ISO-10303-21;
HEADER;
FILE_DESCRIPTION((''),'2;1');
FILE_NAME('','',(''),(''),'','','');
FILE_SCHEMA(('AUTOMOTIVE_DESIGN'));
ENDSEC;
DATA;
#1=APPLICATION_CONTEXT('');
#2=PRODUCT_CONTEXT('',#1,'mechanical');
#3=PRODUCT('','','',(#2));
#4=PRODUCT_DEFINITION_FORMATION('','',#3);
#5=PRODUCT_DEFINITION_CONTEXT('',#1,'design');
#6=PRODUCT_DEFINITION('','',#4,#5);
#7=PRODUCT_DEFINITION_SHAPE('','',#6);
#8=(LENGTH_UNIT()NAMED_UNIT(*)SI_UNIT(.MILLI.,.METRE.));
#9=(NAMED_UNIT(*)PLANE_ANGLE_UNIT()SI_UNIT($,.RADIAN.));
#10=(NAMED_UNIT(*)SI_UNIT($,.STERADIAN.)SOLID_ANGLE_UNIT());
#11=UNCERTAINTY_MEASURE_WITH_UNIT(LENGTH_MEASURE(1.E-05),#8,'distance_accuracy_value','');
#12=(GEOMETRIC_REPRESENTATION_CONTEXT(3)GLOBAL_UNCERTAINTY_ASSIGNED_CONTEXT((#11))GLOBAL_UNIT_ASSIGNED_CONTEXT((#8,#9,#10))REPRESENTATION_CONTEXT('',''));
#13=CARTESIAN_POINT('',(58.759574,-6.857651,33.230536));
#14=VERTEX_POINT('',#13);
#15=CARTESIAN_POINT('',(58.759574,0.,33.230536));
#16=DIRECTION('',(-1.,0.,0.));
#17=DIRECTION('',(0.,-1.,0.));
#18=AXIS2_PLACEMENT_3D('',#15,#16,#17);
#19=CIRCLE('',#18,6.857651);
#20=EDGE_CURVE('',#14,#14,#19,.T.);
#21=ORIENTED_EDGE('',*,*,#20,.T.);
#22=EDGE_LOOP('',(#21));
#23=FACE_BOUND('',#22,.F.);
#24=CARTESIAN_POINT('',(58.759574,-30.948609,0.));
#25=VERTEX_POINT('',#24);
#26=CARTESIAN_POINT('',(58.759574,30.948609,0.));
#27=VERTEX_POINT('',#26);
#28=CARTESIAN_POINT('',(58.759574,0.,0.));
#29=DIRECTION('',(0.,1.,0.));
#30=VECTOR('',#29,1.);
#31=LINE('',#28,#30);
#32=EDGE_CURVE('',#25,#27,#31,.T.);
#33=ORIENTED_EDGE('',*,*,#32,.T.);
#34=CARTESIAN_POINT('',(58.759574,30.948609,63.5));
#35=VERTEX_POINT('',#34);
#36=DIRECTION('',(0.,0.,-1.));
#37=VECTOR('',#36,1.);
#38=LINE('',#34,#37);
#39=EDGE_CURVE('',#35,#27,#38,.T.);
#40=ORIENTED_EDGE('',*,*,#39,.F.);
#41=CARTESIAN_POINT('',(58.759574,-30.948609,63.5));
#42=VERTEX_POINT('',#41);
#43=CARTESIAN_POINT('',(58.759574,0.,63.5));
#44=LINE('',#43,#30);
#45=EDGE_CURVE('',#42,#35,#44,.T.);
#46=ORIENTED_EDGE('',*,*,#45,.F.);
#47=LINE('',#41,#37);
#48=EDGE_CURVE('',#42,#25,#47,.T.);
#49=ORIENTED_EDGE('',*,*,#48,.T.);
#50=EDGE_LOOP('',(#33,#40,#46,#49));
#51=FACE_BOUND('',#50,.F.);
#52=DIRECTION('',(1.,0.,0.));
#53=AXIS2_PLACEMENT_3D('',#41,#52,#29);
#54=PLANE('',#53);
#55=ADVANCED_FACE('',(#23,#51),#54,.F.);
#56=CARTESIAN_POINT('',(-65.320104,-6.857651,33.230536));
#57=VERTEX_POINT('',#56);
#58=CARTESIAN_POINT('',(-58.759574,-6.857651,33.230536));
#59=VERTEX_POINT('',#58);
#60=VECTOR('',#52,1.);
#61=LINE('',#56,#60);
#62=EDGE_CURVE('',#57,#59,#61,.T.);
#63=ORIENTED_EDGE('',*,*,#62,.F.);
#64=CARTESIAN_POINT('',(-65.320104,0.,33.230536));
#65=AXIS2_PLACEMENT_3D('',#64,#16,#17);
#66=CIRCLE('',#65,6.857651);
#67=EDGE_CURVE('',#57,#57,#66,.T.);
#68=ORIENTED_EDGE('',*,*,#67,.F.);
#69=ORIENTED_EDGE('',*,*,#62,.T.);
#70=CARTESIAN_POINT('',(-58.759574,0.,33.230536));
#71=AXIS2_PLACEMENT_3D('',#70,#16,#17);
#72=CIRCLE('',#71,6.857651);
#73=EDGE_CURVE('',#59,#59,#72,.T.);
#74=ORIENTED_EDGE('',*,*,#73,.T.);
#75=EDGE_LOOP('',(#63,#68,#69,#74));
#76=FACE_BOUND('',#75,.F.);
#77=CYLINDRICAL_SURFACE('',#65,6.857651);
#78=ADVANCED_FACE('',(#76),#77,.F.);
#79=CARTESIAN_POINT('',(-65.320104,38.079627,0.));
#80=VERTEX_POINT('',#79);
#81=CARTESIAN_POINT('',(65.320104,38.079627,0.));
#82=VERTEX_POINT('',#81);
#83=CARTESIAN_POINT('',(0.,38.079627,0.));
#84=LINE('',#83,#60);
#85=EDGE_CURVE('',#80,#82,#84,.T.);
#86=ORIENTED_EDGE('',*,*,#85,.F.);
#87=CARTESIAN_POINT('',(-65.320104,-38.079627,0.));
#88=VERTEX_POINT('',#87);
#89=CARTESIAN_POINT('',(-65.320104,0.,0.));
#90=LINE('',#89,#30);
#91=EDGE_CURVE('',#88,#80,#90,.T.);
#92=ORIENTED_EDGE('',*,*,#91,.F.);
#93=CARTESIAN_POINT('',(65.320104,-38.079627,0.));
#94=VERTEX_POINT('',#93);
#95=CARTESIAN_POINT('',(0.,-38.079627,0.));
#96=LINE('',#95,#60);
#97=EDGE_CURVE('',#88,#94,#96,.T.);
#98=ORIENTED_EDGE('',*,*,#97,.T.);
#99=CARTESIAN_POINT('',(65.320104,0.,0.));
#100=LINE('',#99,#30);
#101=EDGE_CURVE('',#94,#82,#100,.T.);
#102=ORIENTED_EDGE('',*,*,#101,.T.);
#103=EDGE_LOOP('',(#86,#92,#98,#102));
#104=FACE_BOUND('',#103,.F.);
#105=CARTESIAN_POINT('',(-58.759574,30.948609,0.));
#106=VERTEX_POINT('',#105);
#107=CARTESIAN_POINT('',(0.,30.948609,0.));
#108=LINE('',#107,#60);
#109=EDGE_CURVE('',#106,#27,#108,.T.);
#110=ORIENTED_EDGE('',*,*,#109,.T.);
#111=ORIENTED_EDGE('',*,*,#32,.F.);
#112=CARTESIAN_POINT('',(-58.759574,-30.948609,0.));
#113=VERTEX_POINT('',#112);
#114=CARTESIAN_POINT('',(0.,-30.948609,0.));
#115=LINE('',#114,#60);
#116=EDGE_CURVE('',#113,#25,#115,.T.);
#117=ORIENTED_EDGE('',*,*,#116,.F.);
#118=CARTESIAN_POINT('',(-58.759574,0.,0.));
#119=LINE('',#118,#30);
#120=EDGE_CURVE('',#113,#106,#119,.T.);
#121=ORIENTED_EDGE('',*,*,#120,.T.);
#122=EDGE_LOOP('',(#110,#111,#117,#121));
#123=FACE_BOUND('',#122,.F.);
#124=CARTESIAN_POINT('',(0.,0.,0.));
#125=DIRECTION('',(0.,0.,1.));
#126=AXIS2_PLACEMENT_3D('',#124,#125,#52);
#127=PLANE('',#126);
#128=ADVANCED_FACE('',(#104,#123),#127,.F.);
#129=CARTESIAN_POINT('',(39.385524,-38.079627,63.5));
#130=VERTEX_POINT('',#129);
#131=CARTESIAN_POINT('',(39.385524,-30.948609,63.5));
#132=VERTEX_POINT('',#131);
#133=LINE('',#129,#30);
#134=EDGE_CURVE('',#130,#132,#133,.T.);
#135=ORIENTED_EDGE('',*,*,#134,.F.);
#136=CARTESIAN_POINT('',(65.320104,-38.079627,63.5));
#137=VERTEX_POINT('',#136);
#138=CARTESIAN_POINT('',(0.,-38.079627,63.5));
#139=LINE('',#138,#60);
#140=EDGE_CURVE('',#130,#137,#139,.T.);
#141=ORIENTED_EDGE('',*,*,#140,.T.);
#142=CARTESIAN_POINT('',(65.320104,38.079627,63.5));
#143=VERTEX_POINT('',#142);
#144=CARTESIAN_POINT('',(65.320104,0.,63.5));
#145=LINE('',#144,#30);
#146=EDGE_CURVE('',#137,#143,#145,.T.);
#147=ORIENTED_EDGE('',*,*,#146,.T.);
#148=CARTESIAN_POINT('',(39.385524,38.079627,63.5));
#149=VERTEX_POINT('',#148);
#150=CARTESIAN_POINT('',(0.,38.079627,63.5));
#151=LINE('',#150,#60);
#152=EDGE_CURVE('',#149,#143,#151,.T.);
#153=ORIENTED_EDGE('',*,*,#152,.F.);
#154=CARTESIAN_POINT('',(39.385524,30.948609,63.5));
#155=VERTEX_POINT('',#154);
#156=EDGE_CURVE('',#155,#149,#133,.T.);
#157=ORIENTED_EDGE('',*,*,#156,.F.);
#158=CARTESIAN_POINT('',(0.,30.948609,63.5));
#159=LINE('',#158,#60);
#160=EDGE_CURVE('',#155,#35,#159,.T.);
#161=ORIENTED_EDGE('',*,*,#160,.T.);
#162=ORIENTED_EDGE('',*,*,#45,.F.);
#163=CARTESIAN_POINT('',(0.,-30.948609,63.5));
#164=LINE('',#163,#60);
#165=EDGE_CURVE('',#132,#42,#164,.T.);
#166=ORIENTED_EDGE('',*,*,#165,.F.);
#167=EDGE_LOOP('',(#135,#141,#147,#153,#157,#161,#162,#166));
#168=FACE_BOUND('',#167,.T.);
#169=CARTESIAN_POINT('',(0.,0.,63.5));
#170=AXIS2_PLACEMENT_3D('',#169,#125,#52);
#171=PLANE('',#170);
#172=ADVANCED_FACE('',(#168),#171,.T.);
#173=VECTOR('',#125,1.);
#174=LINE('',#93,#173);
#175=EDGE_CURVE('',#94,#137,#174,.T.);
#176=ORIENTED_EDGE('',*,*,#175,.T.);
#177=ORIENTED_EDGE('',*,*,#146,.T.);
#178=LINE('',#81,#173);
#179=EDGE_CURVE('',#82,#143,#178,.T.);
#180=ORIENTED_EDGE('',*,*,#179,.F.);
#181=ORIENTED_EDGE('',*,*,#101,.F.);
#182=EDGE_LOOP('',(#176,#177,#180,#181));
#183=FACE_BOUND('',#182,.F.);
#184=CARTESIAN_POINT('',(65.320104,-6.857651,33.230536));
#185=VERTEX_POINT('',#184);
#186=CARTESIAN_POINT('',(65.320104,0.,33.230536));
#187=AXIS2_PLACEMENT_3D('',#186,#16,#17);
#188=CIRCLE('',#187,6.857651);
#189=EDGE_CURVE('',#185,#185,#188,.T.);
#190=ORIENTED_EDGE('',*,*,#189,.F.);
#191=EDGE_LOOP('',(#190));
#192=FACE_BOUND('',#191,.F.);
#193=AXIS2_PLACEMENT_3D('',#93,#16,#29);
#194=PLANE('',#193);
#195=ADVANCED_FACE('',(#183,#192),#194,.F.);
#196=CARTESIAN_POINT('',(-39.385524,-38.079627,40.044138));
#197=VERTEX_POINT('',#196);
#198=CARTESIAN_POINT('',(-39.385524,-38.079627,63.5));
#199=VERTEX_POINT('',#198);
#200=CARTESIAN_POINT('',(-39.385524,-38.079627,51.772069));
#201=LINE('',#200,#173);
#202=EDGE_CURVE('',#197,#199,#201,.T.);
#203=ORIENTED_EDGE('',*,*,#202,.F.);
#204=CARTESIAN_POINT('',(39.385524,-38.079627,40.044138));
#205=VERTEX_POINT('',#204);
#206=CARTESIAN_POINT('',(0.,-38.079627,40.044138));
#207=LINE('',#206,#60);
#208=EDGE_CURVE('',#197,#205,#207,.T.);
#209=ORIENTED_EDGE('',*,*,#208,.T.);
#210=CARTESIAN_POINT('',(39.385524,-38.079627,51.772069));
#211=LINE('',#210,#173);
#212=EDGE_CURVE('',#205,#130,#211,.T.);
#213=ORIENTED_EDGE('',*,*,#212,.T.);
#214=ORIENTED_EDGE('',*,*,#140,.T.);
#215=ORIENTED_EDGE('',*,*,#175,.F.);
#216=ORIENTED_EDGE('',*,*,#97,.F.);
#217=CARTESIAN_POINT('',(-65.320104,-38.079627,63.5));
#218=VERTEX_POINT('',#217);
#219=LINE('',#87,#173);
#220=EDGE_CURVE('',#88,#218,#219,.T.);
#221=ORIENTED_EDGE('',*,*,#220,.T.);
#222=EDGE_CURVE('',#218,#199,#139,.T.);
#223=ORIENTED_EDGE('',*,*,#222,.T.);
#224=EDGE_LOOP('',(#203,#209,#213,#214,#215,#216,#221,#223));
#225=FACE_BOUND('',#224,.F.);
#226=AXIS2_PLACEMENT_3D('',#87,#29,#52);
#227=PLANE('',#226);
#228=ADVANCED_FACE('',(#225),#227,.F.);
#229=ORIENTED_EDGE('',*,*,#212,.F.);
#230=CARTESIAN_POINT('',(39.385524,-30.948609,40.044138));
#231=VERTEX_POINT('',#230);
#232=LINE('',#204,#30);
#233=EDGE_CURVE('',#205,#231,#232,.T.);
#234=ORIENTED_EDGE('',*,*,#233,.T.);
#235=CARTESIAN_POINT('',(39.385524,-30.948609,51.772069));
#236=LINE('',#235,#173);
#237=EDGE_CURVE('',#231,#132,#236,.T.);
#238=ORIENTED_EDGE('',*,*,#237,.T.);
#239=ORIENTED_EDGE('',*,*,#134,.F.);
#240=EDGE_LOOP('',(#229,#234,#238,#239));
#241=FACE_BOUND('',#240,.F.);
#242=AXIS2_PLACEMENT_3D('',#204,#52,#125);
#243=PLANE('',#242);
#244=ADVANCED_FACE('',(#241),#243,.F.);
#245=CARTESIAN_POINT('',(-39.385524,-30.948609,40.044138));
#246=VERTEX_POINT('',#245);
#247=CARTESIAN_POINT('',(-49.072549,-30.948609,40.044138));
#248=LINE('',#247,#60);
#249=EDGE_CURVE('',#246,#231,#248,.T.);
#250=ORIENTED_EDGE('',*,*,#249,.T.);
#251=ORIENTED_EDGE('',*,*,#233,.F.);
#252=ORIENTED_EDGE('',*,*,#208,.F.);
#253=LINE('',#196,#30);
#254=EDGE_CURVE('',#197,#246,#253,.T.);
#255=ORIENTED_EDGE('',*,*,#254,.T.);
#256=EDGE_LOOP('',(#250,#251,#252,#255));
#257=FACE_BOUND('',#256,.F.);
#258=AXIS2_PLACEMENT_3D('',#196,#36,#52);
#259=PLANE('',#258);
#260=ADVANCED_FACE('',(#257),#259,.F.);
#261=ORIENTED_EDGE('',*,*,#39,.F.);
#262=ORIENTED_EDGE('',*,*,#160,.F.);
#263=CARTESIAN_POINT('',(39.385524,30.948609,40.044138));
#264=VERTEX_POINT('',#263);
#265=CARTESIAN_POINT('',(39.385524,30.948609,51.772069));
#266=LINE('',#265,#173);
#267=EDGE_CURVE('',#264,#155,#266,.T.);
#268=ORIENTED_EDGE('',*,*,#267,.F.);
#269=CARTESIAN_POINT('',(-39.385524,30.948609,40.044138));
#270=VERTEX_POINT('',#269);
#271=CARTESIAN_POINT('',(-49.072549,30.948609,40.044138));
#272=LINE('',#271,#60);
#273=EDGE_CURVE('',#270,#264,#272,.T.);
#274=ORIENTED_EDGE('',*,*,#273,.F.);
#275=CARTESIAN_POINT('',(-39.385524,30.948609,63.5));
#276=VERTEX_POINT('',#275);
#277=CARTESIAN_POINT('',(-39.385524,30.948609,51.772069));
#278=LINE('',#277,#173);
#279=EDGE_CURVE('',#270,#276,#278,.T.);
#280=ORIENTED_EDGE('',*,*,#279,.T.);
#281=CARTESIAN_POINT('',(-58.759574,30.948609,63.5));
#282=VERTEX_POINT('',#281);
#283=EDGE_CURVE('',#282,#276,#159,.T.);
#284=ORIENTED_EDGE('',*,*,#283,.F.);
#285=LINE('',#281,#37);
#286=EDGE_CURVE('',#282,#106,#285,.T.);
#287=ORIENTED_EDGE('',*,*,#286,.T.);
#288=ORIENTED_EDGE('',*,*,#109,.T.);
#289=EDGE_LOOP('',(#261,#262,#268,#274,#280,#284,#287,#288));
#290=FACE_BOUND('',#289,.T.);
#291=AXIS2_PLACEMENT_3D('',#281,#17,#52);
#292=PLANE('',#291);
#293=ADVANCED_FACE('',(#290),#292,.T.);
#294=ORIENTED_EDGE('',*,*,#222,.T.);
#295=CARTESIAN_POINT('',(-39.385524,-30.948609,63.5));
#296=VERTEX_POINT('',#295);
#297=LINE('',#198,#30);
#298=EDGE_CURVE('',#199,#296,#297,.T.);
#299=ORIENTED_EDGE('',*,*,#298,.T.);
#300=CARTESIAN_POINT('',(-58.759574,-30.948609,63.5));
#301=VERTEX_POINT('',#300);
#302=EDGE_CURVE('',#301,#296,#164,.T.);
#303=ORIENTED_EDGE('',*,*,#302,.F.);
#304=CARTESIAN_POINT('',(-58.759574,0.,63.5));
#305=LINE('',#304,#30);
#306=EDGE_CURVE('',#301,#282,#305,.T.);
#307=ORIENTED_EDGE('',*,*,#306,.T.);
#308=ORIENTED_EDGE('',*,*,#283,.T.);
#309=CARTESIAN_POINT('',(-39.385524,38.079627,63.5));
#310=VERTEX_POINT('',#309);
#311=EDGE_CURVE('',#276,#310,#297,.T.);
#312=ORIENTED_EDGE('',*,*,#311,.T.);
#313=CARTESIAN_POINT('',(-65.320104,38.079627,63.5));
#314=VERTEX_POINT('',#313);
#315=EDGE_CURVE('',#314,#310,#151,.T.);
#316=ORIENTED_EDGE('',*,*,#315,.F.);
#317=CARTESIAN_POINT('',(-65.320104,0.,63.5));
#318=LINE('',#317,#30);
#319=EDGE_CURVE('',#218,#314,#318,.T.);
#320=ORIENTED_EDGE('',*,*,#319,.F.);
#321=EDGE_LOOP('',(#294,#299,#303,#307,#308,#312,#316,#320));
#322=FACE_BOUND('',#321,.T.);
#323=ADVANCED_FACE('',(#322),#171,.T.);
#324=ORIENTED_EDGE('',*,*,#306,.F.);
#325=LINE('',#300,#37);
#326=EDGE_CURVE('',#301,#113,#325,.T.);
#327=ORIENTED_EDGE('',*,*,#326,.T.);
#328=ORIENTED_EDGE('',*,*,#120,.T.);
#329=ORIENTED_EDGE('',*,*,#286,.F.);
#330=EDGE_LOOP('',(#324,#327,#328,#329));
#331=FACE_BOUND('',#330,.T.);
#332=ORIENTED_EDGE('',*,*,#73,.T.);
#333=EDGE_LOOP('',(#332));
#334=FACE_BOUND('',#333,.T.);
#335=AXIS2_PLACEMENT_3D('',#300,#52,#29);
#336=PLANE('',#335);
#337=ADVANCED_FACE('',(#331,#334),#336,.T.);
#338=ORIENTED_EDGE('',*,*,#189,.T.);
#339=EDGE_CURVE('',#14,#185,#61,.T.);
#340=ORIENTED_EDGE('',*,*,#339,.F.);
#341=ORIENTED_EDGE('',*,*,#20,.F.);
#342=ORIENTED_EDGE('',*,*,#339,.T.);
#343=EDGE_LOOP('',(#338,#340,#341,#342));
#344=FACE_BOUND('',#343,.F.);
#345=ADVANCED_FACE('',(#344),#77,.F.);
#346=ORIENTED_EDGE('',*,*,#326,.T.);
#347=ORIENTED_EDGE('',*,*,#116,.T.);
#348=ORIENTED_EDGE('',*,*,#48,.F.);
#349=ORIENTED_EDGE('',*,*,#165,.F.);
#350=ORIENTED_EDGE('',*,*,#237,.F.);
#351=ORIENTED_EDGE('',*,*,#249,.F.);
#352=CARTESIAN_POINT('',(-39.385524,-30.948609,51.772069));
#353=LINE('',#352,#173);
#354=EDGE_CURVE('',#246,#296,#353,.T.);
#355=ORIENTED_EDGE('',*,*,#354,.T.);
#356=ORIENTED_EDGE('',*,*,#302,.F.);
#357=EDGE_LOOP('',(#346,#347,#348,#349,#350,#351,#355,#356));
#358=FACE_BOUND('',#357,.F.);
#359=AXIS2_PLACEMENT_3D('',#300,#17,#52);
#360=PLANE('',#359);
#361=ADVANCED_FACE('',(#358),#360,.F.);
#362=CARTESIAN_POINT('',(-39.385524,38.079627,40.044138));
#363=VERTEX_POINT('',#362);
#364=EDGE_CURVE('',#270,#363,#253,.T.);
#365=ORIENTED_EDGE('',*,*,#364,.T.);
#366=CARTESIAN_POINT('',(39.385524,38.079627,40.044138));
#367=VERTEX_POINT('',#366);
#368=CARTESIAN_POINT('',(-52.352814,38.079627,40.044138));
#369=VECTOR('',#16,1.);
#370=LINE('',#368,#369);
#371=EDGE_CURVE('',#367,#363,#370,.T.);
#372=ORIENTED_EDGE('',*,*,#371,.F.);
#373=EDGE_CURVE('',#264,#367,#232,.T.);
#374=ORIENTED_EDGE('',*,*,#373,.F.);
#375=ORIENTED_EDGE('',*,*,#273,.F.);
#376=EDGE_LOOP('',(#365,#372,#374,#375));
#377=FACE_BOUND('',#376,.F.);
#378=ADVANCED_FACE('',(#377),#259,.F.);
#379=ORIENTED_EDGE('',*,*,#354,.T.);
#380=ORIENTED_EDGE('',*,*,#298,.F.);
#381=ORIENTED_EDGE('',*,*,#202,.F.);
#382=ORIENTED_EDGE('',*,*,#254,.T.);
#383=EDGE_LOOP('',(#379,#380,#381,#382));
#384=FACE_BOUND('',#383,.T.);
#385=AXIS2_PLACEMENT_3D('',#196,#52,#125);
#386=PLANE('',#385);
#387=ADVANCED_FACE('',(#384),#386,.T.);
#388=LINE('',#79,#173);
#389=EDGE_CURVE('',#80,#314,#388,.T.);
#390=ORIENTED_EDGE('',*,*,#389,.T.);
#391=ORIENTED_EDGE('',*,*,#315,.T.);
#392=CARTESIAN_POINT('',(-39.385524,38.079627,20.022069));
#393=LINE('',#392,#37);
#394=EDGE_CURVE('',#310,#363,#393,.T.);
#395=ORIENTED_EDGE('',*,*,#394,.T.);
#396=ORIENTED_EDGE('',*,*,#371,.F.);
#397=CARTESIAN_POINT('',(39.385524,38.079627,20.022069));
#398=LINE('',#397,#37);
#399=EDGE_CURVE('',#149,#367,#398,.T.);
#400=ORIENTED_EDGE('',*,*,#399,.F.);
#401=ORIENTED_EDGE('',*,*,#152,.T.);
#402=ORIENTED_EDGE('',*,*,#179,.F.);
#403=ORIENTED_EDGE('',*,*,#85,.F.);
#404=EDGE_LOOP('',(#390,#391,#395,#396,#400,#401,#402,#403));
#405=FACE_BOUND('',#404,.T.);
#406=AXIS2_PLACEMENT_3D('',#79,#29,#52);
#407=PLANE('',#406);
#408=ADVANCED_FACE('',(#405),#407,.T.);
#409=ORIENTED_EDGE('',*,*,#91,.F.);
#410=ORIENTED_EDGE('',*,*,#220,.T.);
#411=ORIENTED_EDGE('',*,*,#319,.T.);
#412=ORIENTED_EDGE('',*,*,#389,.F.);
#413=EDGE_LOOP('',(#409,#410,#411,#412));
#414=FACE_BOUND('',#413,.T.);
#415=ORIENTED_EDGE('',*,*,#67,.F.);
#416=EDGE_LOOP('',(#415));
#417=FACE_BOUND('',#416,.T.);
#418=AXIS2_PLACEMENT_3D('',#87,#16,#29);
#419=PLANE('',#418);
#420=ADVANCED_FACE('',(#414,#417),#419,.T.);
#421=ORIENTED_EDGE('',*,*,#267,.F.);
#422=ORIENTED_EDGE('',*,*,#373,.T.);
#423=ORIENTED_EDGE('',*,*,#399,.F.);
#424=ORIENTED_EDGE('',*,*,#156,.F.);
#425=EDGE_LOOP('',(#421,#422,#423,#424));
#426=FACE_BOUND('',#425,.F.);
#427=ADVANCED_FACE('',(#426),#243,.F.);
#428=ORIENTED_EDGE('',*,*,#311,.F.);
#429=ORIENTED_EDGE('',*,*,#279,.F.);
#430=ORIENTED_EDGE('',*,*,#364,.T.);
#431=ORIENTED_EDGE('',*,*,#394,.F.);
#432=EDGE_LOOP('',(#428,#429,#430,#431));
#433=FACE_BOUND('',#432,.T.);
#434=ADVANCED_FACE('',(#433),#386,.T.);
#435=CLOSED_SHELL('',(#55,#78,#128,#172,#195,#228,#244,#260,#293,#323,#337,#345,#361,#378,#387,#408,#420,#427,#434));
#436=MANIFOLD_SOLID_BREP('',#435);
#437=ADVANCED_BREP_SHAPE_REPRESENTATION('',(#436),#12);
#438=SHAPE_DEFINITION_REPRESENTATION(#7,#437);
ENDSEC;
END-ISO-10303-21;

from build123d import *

# Parameters (mm, degrees)
F0_W     = 130.6402087212
F0_H     = 76.1592537165
F1_DEPTH = 63.5
F2_W     = 117.5191476941
F2_H     = 61.8972182274
F3_DEPTH = 63.5
F4_W     = 78.7710472941
F4_H     = 23.4558616281
F5_DEPTH = 101.6
F6_R     = 6.8576505009
F7_DEPTH = 152.4


with BuildPart() as f1:
    # F0 (on Top) → F1 (new body)
    with BuildSketch(Plane.XY):
        Rectangle(F0_W, F0_H)
    extrude(amount=F1_DEPTH)

    # F2 (on face) → F3 (cut)
    with BuildSketch(Plane.XY.offset(63.5)):
        Rectangle(F2_W, F2_H)
    extrude(amount=-F3_DEPTH, mode=Mode.SUBTRACT)

    # F4 (on face) → F5 (cut)
    with BuildSketch(Plane.XZ.offset(38.0796268582)):
        with Locations((0, 51.772069186)):
            Rectangle(F4_W, F4_H)
    extrude(amount=-F5_DEPTH, mode=Mode.SUBTRACT)

    # F6 (on face) → F7 (cut)
    with BuildSketch(Plane(origin=(-65.3201043606, 0, 0), x_dir=(0, -1, 0), z_dir=(-1, 0, 0))):
        with Locations((0, 33.230535686)):
            Circle(F6_R)
    extrude(amount=-F7_DEPTH, mode=Mode.SUBTRACT)


solid = f1.part
